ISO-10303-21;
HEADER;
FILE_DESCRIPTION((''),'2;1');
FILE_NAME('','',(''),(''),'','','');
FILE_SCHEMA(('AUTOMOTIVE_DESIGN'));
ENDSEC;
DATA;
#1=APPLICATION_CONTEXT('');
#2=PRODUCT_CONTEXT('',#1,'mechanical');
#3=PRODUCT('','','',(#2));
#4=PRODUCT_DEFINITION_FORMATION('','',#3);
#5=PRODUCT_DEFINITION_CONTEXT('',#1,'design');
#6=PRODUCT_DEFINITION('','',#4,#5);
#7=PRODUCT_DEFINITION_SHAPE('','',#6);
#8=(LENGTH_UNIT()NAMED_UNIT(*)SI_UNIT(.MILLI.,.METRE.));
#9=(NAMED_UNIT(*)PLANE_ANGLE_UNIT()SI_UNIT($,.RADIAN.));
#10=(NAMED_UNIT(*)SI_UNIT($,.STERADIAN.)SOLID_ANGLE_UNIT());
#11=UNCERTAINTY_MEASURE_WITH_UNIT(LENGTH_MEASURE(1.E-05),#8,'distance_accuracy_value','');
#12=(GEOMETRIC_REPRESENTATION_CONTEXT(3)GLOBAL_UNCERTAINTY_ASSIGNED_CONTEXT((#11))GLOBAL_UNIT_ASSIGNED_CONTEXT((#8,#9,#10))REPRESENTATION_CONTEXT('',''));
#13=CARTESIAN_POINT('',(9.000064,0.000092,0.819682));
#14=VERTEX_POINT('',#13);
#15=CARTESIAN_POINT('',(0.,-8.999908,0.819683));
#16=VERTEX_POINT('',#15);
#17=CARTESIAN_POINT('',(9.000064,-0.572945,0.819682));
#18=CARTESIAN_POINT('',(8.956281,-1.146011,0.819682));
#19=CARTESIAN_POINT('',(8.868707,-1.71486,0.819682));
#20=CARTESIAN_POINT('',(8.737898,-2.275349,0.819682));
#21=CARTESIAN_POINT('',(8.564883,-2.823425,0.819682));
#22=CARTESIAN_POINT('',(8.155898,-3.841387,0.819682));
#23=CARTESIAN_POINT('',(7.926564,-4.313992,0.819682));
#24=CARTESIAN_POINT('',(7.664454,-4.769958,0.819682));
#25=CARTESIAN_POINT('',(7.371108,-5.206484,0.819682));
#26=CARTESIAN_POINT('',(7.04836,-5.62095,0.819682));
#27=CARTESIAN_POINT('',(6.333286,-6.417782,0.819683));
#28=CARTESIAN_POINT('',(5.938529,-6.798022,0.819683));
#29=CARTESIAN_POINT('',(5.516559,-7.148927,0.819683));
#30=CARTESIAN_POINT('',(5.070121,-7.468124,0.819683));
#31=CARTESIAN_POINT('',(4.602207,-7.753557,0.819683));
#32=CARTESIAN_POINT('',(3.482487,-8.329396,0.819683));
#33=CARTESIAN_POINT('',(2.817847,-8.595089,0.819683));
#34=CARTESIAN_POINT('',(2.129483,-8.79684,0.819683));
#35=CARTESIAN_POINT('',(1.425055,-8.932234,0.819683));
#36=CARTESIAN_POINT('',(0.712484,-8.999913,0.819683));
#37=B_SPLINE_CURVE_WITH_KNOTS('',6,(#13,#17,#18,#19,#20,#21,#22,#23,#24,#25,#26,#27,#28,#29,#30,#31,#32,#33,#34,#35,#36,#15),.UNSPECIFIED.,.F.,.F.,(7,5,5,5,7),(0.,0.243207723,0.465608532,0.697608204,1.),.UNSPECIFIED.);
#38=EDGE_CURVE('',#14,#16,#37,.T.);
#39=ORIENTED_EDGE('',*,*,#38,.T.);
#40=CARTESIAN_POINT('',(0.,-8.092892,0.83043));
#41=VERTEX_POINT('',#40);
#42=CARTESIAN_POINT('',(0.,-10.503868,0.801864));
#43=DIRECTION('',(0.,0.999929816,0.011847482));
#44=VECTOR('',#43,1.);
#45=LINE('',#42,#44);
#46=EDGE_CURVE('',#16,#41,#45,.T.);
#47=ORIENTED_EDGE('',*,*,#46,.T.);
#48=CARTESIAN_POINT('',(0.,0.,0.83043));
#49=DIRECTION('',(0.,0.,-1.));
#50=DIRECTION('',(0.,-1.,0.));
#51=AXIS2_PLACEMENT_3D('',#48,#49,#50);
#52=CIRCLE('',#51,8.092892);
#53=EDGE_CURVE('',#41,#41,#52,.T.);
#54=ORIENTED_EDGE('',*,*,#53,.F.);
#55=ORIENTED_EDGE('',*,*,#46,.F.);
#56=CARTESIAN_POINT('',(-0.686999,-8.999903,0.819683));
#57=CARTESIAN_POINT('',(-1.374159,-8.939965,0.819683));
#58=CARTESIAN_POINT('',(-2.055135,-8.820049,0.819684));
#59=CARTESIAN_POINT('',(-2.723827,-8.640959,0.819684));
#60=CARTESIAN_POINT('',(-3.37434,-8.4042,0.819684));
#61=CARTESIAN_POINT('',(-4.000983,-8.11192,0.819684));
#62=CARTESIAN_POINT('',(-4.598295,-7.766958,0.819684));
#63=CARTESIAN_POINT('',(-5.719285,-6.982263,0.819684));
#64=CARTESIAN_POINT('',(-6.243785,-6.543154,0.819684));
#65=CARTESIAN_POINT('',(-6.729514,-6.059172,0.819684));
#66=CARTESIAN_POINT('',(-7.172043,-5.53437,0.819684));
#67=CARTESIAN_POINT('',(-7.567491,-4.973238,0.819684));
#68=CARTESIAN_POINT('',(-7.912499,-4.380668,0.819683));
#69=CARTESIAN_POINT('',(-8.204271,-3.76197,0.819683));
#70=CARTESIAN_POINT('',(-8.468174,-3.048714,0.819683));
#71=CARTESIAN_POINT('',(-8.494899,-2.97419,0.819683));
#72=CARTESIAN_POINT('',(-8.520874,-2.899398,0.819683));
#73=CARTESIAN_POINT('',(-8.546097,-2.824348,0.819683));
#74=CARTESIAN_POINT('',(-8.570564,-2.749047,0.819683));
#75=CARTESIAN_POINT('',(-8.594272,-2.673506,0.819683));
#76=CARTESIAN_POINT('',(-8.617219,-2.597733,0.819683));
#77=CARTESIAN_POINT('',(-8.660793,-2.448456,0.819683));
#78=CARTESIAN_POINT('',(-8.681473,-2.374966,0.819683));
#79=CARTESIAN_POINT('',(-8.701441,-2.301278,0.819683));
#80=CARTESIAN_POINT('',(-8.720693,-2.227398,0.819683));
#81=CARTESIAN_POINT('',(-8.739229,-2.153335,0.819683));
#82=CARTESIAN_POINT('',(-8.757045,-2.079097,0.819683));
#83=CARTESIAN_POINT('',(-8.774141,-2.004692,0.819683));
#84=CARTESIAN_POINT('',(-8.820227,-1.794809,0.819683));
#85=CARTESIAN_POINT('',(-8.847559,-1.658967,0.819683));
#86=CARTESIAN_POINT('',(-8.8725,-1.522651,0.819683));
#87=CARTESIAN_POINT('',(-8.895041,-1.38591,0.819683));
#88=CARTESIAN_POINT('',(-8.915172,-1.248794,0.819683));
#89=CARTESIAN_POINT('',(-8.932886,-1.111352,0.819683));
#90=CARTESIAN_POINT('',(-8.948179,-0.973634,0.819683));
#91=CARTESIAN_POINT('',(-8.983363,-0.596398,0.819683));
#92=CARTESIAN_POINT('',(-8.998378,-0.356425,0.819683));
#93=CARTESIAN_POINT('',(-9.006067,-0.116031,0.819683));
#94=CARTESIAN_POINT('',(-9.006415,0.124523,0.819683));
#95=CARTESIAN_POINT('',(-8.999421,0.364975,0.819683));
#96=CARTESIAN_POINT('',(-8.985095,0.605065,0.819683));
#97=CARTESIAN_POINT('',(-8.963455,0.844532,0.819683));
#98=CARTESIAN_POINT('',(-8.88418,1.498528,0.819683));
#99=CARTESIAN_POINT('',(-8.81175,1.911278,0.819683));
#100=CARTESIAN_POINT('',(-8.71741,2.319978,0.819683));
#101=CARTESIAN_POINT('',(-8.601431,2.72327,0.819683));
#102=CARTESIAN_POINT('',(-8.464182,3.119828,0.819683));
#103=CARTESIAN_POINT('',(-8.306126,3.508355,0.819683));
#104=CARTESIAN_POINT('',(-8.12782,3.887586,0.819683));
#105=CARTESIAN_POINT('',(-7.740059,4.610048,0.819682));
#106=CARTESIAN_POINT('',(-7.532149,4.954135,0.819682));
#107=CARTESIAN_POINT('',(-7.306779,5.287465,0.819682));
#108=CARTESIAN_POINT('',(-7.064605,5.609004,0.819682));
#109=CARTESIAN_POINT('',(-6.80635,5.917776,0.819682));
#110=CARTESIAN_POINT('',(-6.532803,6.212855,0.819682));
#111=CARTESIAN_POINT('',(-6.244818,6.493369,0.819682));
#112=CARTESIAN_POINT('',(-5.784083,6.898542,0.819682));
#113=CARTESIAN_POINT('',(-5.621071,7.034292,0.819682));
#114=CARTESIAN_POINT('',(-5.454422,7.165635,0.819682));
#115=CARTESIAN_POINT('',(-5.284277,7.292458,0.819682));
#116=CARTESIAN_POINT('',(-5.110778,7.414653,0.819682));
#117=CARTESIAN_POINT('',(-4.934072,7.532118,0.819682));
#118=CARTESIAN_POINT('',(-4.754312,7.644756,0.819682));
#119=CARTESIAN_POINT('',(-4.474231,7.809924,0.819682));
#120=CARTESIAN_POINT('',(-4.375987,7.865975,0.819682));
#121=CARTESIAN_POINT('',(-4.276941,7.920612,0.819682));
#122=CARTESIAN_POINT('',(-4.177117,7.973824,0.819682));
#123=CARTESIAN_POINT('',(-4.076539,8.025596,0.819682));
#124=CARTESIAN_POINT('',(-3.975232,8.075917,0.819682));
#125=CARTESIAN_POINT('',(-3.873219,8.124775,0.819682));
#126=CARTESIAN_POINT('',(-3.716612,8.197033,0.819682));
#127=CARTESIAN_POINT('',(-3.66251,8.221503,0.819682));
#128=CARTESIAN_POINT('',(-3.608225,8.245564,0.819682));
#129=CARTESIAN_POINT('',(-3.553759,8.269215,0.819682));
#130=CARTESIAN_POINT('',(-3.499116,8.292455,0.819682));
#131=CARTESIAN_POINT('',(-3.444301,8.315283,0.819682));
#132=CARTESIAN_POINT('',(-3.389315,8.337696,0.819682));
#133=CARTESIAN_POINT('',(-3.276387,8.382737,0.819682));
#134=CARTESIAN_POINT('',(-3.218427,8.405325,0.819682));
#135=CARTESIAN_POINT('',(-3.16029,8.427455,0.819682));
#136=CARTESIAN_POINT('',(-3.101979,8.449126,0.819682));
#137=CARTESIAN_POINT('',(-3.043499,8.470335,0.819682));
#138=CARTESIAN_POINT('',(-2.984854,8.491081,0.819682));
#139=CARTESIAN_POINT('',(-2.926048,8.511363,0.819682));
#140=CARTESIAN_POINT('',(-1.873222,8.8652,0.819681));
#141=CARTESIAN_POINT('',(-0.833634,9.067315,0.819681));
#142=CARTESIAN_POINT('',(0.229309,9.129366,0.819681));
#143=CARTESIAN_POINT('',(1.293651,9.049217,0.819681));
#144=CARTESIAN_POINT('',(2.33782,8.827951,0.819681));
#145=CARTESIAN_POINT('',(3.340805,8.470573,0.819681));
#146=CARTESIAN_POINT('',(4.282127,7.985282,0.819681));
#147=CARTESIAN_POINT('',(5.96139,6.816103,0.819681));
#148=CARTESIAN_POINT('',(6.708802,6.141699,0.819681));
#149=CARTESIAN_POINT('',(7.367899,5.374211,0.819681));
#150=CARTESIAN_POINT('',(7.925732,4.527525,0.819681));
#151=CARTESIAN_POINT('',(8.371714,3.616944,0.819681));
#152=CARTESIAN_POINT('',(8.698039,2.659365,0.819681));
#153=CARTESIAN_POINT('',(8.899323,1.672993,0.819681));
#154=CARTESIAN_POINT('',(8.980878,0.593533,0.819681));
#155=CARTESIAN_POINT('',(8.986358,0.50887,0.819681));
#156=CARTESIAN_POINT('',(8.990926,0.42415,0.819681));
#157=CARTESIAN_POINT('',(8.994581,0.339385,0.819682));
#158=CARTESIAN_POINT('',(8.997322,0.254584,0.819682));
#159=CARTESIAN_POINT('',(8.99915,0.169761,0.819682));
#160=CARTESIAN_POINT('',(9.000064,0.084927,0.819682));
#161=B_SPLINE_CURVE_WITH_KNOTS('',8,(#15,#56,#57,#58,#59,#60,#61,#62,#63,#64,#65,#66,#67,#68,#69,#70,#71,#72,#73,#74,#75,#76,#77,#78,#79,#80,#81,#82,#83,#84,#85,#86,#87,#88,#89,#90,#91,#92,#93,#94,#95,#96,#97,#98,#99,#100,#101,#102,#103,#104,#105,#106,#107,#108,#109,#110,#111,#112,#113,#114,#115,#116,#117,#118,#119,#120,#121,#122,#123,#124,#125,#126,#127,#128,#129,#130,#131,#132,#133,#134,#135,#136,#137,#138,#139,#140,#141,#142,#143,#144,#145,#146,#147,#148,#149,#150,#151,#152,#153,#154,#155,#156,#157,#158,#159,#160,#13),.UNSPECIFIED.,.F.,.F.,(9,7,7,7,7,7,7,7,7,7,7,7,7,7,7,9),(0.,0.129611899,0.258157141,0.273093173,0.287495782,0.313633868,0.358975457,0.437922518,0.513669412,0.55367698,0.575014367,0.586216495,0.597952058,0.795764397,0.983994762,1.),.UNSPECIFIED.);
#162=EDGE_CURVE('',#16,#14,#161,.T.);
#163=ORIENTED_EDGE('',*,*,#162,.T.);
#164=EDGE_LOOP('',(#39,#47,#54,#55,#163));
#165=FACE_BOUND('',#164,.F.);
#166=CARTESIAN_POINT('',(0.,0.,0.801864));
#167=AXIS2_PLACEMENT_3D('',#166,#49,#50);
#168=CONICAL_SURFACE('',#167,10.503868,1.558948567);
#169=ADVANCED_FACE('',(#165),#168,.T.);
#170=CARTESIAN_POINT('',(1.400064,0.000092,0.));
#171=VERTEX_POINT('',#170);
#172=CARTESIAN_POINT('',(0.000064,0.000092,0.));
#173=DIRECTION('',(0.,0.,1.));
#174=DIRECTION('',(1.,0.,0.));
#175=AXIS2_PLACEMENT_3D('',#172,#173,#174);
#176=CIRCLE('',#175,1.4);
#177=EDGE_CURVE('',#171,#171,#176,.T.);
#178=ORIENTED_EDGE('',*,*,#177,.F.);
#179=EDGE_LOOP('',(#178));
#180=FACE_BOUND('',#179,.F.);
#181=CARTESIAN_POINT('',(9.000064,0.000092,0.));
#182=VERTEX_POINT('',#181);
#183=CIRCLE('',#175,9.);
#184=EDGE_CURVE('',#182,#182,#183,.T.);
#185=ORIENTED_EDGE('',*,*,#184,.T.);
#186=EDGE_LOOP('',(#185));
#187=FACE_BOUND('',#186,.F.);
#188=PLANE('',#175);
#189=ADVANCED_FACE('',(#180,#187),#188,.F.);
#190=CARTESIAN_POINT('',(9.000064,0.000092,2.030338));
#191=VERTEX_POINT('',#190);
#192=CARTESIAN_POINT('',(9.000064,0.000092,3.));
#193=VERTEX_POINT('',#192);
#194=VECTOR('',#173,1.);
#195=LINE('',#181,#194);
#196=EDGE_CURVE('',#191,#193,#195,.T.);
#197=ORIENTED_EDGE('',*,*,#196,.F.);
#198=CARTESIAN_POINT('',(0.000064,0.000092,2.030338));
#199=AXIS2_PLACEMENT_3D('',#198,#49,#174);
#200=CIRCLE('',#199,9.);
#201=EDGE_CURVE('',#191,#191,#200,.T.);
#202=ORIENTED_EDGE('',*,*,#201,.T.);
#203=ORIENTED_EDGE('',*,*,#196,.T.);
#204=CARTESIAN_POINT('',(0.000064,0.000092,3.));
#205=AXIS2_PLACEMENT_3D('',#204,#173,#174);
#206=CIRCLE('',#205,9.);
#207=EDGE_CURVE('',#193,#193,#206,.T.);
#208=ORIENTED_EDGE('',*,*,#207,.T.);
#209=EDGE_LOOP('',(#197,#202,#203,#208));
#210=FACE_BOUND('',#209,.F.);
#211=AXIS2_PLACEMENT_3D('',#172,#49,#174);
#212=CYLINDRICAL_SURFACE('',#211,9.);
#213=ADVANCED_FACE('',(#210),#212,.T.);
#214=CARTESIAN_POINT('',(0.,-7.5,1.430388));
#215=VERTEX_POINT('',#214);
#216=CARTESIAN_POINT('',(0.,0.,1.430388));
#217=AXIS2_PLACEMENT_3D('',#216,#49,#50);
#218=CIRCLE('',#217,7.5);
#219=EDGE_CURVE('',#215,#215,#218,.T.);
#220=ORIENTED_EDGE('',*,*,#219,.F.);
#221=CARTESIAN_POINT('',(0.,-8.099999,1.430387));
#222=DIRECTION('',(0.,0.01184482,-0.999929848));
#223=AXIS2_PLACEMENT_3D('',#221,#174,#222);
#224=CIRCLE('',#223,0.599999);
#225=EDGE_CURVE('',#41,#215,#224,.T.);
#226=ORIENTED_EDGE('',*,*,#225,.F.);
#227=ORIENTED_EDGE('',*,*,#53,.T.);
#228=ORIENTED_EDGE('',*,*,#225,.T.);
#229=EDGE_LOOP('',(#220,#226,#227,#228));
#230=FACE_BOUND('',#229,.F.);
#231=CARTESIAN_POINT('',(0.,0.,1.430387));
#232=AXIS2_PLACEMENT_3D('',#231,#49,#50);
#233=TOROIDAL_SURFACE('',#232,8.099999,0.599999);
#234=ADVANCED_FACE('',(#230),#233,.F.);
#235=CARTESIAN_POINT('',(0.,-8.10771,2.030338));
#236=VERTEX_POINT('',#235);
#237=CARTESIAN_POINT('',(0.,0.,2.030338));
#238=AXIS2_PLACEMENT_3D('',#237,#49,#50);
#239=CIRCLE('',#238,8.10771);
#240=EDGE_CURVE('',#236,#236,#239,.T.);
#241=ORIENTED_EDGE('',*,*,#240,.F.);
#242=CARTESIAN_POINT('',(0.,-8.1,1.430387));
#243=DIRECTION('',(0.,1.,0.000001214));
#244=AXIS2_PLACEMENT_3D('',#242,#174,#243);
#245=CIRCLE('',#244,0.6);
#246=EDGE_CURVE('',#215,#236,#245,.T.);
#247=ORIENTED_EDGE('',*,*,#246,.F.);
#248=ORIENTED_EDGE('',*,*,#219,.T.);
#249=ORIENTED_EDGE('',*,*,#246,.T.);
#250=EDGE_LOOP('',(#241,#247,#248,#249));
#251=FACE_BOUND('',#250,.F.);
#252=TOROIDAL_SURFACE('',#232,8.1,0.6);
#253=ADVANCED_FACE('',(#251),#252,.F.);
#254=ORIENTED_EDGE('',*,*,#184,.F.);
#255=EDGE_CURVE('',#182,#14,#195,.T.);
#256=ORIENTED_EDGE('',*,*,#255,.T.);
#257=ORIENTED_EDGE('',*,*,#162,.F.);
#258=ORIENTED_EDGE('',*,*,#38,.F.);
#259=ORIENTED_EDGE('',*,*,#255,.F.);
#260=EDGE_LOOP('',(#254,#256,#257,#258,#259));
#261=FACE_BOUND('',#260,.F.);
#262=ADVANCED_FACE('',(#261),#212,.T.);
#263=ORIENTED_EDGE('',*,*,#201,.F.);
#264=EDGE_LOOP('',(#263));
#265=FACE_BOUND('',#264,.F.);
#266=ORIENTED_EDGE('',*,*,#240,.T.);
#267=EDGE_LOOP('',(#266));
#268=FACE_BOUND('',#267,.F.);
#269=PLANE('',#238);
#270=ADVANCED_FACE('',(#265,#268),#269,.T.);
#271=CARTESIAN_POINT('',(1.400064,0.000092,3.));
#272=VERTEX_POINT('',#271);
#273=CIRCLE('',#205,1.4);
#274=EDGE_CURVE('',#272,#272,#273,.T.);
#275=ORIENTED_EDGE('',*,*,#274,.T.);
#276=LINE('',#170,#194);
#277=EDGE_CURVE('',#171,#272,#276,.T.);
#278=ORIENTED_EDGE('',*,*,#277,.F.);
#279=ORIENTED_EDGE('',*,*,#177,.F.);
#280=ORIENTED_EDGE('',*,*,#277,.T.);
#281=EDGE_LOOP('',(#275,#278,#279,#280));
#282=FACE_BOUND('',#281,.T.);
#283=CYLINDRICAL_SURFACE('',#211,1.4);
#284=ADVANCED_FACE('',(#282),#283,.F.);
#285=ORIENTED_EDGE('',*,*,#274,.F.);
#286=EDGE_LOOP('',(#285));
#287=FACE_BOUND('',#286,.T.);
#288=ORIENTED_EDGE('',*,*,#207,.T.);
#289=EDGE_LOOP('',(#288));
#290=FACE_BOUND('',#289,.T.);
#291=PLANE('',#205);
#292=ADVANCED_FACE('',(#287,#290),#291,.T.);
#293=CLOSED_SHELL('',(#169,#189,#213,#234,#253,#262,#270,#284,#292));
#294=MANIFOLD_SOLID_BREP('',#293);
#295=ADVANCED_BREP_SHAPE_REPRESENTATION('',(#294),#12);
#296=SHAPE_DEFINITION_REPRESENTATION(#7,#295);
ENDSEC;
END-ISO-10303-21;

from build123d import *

# Parameters (mm, degrees)
F0_R     = 9
F0_R_2   = 1.4
F1_DEPTH = 3


with BuildPart() as f1:
    # F0 (on Top) → F1 (new body)
    with BuildSketch(Plane.XY):
        with Locations((-25.063416, 15.770752)):
            Circle(F0_R)
        with Locations((-25.063416, 15.770752)):
            Circle(F0_R_2, mode=Mode.SUBTRACT)
    extrude(amount=F1_DEPTH)


with BuildPart() as f1_1:
    # F3: moved
    add(f1.part.moved(Location((25.1714, 0, 0))))


with BuildPart() as f1_2:
    # F4: moved
    add(f1_1.part.moved(Location((-0.10792, -15.77066, 0))))

    # F2 (on Right) → F6 (revolve, cut)
    with BuildSketch(Plane.YZ):
        with BuildLine():
            ThreePointArc((-8.092892, 0.83043), (-7.67323, 1.008644), (-7.5, 1.430388))
            ThreePointArc((-7.5, 1.430388), (-7.678471, 1.857369), (-8.10771, 2.030338))
            ThreePointArc((-8.10771, 2.030338), (-8.699954, 1.422979), (-8.092892, 0.83043))
        make_face()
        with BuildLine():
            ThreePointArc((-8.092892, 0.83043), (-8.699954, 1.422979), (-8.10771, 2.030338))
            Line((-8.10771, 2.030338), (-10.503868, 2.030338))
            Line((-10.503868, 2.030338), (-10.503868, 0.801864))
            Line((-10.503868, 0.801864), (-8.092892, 0.83043))
        make_face()
    revolve(axis=Axis((0, 0, 1.962848), (0, 0, -1)), mode=Mode.SUBTRACT)


solid = f1_2.part
